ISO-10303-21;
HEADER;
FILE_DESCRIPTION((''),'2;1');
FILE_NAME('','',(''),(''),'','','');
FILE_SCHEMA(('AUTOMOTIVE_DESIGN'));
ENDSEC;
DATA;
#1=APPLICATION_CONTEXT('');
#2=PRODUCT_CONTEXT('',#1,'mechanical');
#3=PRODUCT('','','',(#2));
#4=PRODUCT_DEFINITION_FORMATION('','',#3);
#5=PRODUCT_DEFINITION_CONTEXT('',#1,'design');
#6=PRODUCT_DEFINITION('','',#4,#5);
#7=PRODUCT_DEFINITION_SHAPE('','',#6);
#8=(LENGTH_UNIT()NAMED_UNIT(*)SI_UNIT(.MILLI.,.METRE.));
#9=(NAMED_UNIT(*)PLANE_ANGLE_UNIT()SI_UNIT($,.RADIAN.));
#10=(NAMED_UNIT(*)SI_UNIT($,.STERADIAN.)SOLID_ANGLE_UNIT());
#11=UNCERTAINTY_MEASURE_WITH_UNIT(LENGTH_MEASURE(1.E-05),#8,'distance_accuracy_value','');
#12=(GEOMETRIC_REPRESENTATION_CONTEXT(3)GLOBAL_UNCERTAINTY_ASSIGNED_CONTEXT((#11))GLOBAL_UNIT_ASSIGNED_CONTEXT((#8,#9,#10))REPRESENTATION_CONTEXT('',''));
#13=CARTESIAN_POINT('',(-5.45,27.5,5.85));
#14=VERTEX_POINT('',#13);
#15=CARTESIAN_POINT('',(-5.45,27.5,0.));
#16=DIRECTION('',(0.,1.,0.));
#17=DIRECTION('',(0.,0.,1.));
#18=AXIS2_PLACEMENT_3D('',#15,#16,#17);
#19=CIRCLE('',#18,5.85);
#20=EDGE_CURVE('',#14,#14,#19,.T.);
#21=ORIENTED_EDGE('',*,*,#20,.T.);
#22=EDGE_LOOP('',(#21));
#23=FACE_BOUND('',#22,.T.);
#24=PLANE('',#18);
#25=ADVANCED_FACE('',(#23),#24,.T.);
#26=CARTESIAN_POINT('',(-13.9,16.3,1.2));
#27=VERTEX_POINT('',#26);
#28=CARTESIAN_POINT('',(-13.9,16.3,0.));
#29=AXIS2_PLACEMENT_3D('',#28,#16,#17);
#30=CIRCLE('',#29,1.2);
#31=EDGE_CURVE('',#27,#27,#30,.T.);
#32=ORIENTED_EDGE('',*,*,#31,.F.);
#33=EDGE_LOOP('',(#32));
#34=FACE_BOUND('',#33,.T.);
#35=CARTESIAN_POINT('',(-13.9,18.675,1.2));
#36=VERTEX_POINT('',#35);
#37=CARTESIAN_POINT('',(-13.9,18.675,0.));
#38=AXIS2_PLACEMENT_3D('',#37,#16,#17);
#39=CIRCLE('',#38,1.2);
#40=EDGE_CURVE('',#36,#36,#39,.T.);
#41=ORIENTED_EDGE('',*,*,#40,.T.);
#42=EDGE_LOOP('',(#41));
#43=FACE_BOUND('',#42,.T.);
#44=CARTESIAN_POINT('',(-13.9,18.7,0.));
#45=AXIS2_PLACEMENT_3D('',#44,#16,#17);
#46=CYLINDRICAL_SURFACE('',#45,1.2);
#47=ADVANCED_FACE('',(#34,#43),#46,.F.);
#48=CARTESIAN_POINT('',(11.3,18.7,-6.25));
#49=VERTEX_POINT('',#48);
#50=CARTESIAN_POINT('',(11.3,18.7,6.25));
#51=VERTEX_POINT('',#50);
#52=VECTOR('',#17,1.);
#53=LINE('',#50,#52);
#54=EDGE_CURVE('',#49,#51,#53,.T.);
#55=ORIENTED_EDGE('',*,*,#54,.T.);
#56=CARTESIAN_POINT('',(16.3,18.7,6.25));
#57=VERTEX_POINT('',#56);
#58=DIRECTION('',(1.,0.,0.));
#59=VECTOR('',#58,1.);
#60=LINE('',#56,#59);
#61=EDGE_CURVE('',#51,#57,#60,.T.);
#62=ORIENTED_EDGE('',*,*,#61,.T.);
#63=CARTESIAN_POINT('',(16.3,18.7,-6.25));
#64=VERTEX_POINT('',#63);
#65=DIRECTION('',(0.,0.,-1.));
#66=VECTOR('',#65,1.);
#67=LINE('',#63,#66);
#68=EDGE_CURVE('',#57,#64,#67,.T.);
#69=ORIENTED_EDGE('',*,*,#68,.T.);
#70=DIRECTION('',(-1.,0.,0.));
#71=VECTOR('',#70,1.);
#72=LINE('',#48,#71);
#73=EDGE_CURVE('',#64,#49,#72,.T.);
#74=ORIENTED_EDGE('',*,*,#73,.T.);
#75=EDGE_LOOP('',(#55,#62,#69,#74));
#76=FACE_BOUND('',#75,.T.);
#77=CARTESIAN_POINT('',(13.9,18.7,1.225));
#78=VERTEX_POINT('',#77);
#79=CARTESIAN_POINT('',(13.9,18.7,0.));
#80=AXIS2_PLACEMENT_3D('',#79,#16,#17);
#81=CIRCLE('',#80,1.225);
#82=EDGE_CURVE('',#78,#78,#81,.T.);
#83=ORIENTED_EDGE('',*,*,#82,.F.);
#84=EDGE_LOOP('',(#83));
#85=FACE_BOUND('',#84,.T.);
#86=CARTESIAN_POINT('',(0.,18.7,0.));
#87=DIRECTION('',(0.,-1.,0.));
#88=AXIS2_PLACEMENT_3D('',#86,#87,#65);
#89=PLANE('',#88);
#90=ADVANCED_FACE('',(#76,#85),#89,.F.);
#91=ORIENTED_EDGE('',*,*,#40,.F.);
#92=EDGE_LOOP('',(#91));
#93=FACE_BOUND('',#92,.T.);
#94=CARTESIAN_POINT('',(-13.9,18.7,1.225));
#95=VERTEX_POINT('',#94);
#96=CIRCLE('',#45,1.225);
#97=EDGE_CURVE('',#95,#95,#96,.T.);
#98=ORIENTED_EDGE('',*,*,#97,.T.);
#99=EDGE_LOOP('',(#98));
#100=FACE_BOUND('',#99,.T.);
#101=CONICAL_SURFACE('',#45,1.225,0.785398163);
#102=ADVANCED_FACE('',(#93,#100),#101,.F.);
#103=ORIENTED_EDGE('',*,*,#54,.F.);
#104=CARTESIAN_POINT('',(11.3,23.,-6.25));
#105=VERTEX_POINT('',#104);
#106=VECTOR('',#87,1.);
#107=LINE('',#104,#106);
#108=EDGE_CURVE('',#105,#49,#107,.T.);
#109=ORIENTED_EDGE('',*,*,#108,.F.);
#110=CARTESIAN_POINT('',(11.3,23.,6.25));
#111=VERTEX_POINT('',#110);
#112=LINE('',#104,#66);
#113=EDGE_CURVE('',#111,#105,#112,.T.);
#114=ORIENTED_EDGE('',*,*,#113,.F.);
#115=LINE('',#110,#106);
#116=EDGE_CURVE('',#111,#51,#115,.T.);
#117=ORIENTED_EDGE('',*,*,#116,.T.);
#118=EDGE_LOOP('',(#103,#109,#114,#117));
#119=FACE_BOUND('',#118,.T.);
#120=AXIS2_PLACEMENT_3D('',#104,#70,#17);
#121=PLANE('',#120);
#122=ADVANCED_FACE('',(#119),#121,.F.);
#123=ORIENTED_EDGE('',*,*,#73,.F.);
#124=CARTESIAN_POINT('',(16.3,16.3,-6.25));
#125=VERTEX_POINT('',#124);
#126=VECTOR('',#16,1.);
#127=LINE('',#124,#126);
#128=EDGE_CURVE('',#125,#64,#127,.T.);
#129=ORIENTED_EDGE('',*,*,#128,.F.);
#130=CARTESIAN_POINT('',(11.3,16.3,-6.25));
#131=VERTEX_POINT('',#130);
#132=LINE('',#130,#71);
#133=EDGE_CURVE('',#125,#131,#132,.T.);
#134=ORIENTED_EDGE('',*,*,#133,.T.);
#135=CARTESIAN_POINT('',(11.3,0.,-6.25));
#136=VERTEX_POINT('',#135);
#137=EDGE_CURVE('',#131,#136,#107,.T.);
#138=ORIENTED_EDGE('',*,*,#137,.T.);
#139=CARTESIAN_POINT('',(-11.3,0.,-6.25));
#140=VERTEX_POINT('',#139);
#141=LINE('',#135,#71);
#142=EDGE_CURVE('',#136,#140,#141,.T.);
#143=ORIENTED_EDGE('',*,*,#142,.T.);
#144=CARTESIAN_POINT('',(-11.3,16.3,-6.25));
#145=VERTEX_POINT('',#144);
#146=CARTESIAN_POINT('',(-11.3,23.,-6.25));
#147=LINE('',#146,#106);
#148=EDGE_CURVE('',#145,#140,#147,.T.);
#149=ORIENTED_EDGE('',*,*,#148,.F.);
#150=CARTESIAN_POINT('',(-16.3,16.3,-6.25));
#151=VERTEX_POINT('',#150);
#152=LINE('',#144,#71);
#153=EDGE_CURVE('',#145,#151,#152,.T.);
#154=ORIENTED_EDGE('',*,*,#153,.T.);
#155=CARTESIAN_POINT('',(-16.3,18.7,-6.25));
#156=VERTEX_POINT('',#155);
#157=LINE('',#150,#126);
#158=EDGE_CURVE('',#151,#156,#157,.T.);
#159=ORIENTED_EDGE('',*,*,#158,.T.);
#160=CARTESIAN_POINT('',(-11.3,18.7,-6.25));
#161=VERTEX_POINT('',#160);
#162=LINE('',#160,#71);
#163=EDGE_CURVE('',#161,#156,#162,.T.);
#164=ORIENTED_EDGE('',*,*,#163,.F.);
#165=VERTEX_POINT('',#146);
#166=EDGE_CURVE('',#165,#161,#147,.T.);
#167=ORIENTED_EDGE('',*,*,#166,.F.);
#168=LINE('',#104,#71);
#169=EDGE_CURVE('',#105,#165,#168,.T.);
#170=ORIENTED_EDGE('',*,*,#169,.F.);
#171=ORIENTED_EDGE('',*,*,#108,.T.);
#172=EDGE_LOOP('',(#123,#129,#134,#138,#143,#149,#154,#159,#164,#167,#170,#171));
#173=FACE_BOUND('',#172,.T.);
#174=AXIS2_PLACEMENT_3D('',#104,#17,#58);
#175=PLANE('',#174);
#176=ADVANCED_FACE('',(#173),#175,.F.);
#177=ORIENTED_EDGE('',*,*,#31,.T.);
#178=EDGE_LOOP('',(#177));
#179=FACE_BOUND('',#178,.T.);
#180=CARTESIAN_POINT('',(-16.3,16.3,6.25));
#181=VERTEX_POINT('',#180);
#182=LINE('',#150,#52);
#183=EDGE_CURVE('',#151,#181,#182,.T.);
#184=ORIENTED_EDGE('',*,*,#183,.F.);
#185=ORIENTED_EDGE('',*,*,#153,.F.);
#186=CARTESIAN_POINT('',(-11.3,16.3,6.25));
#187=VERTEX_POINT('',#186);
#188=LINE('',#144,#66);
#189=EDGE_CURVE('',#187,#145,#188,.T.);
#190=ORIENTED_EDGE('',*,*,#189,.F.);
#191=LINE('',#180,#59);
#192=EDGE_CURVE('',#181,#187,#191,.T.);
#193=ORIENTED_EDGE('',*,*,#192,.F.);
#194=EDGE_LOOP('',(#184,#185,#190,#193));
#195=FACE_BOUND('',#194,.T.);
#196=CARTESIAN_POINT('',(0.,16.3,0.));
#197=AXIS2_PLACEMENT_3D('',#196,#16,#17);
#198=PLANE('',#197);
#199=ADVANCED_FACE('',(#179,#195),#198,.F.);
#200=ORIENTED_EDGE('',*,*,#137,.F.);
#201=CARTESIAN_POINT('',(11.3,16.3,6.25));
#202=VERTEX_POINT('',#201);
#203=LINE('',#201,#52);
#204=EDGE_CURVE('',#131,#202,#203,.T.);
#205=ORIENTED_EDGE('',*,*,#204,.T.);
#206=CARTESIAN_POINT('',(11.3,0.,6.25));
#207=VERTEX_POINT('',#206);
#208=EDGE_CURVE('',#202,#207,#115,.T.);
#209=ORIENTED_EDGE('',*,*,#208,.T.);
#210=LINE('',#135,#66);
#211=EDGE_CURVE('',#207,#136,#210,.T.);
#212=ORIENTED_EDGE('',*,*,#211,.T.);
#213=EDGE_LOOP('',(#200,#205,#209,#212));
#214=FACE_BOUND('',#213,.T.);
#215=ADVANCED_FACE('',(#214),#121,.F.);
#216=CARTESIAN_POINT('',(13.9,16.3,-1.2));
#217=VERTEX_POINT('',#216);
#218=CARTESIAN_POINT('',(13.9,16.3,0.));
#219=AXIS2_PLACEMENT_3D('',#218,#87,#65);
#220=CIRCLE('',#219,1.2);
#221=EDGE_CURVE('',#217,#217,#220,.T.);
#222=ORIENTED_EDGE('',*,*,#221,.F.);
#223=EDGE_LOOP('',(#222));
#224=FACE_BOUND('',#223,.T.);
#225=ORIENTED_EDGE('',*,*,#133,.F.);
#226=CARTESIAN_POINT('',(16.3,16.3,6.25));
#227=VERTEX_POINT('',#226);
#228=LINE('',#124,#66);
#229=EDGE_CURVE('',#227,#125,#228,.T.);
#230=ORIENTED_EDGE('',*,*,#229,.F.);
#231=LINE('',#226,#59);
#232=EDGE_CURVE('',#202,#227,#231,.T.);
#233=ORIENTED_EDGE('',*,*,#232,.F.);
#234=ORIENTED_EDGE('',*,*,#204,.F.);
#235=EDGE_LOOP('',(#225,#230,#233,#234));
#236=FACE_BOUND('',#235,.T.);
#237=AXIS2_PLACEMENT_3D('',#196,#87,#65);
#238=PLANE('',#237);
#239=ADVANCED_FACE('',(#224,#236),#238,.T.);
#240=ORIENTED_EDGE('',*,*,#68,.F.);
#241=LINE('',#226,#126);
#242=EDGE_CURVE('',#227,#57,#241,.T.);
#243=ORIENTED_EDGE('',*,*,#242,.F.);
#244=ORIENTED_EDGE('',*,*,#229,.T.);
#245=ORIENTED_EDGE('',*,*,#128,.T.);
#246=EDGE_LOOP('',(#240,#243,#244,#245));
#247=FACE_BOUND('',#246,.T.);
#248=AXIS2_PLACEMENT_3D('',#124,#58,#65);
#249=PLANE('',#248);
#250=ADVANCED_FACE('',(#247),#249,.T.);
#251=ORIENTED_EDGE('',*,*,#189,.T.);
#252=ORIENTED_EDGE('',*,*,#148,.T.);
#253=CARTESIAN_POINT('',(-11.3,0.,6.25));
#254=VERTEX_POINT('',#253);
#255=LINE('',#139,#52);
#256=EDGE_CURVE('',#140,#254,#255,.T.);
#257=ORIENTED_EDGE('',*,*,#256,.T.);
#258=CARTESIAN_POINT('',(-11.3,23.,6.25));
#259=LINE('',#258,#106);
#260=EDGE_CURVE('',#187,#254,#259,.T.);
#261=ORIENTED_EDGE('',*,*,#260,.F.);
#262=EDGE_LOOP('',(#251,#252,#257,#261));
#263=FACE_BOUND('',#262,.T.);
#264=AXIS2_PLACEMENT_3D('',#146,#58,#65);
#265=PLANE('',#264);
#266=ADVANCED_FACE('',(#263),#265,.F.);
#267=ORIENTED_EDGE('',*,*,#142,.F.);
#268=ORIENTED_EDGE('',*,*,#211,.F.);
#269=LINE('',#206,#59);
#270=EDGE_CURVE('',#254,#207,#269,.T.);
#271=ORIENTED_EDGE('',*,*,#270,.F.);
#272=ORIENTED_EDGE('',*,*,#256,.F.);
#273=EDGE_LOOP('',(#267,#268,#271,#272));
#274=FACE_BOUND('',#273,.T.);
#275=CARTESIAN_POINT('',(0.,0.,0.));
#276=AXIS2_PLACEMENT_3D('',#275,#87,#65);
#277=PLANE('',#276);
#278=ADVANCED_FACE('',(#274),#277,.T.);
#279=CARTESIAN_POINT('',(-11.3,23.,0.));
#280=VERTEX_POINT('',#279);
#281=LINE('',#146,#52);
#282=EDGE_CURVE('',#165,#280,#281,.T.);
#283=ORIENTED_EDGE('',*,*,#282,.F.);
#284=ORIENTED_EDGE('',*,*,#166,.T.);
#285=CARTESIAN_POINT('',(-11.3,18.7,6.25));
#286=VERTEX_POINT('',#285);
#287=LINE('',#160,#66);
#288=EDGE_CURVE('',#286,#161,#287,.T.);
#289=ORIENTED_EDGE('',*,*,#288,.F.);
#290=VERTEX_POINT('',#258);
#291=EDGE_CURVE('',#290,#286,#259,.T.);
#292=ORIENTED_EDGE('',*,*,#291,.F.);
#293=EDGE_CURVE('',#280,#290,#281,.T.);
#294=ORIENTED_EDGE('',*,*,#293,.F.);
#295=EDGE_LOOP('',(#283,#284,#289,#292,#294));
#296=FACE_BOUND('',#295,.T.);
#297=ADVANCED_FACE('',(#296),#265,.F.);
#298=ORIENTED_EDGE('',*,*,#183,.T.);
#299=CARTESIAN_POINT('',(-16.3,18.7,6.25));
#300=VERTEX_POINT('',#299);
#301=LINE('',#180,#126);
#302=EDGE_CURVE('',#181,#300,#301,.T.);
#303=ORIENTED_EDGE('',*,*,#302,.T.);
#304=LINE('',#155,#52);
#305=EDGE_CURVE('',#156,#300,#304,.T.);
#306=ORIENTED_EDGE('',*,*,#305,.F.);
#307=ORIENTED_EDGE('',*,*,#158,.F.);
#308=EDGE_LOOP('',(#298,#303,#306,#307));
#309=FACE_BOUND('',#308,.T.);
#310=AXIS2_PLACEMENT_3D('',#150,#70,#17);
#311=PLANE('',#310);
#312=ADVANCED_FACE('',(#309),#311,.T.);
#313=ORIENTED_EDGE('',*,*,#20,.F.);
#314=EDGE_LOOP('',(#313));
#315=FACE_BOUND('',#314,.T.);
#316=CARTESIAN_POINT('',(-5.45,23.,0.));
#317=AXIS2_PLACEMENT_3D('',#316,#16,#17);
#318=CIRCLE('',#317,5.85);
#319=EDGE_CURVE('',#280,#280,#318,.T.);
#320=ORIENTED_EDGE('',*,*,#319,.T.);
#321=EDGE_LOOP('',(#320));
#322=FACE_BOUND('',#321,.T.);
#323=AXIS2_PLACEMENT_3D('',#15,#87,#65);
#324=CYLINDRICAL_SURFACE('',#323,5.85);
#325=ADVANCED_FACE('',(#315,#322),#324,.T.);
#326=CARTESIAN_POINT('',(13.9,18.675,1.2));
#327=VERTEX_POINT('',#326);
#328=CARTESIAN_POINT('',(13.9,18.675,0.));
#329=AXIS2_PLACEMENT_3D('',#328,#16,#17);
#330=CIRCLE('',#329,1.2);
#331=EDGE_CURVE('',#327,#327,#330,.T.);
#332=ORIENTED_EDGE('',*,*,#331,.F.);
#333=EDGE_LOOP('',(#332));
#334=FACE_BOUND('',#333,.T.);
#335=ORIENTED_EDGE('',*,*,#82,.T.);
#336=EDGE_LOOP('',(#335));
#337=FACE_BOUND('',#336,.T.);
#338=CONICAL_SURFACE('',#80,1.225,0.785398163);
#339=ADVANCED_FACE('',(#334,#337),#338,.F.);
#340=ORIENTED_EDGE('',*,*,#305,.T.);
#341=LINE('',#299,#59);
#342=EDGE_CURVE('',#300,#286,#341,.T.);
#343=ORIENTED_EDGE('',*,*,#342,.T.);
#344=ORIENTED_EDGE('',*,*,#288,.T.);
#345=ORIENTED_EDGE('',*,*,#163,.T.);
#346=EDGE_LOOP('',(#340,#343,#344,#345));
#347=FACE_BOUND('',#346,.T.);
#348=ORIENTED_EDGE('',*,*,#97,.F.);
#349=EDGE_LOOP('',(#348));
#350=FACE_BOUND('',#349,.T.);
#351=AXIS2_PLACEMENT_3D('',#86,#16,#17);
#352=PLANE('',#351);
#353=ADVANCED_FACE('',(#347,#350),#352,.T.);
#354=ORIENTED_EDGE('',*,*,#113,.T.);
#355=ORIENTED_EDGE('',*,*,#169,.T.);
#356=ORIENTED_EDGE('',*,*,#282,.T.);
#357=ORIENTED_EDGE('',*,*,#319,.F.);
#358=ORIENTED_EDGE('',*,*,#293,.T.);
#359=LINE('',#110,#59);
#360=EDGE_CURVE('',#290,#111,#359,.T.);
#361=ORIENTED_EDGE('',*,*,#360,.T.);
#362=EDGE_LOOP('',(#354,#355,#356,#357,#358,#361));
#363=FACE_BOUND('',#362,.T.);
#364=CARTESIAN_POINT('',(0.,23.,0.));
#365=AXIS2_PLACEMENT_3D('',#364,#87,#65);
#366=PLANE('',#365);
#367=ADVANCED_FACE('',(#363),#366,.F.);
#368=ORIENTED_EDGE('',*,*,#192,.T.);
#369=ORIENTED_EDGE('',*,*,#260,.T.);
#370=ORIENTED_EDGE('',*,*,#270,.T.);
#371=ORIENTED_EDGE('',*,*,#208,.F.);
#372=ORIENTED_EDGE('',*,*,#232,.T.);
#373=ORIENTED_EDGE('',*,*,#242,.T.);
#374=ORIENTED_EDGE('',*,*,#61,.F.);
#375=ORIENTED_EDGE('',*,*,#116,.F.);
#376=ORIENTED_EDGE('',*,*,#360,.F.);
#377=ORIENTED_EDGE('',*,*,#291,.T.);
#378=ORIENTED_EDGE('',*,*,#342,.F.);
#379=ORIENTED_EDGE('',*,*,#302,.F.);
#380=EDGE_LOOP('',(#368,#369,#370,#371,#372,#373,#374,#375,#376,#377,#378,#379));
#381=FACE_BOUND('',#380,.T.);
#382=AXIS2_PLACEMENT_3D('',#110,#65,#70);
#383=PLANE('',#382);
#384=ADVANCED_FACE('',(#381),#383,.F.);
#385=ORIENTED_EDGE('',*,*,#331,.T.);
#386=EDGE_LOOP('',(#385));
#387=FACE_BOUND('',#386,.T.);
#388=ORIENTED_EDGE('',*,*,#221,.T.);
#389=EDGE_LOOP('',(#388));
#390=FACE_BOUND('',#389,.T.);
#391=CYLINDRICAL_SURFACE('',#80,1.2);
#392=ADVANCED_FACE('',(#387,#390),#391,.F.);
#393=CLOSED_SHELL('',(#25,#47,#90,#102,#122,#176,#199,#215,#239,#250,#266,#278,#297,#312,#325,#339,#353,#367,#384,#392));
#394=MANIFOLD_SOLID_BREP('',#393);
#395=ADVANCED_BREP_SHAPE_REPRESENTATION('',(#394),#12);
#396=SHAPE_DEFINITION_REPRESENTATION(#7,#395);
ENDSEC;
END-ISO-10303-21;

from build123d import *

# Parameters (mm, degrees)
SKETCH1_W                      = 22.6
SKETCH1_H                      = 12.5
BOSS_EXTRUDE1_DEPTH            = 23
SKETCH2_W                      = 5
SKETCH2_H                      = 12.5
BOSS_EXTRUDE2_DEPTH            = 2.4
M2_CLEARANCE_HOLE1_D           = 2.4
M2_CLEARANCE_HOLE1_DEPTH       = 21.51
M2_CLEARANCE_HOLE1_CSINK_D     = 2.45
M2_CLEARANCE_HOLE1_CSINK_ANGLE = 90
M2_CLEARANCE_HOLE1_TIP         = 0.721032743
SKETCH5_R                      = 5.85
BOSS_EXTRUDE3_DEPTH            = 4.5


with BuildPart() as part:
    # Sketch1 → Boss-Extrude1 (new body)
    with BuildSketch(Plane(origin=(0, 0, 0), x_dir=(1, 0, 0), z_dir=(0, 1, 0))):
        Rectangle(SKETCH1_W, SKETCH1_H)
    extrude(amount=BOSS_EXTRUDE1_DEPTH)

    # Sketch2 → Boss-Extrude2 (add)
    with BuildSketch(Plane(origin=(0, 18.7, 0), x_dir=(1, 0, 0), z_dir=(0, 1, 0))):
        with Locations((13.8, 0)):
            Rectangle(SKETCH2_W, SKETCH2_H)
        with Locations((-13.8, 0)):
            Rectangle(SKETCH2_W, SKETCH2_H)
    extrude(amount=-BOSS_EXTRUDE2_DEPTH)

    # M2 Clearance Hole1
    with Locations(Plane(origin=(0, 18.7, 0), x_dir=(1, 0, 0), z_dir=(0, 1, 0))):
        with Locations((-13.9, 0), (13.9, 0)):
            CounterSinkHole(M2_CLEARANCE_HOLE1_D / 2, M2_CLEARANCE_HOLE1_CSINK_D / 2, depth=M2_CLEARANCE_HOLE1_DEPTH, counter_sink_angle=M2_CLEARANCE_HOLE1_CSINK_ANGLE)
            with Locations((0, 0, -(M2_CLEARANCE_HOLE1_DEPTH + M2_CLEARANCE_HOLE1_TIP / 2))):  # 118° drill point
                Cone(0, M2_CLEARANCE_HOLE1_D / 2, M2_CLEARANCE_HOLE1_TIP, mode=Mode.SUBTRACT)

    # Sketch5 → Boss-Extrude3 (add)
    with BuildSketch(Plane(origin=(0, 23, 0), x_dir=(1, 0, 0), z_dir=(0, 1, 0))):
        with Locations((-5.45, 0)):
            Circle(SKETCH5_R)
    extrude(amount=BOSS_EXTRUDE3_DEPTH)


solid = part.part
